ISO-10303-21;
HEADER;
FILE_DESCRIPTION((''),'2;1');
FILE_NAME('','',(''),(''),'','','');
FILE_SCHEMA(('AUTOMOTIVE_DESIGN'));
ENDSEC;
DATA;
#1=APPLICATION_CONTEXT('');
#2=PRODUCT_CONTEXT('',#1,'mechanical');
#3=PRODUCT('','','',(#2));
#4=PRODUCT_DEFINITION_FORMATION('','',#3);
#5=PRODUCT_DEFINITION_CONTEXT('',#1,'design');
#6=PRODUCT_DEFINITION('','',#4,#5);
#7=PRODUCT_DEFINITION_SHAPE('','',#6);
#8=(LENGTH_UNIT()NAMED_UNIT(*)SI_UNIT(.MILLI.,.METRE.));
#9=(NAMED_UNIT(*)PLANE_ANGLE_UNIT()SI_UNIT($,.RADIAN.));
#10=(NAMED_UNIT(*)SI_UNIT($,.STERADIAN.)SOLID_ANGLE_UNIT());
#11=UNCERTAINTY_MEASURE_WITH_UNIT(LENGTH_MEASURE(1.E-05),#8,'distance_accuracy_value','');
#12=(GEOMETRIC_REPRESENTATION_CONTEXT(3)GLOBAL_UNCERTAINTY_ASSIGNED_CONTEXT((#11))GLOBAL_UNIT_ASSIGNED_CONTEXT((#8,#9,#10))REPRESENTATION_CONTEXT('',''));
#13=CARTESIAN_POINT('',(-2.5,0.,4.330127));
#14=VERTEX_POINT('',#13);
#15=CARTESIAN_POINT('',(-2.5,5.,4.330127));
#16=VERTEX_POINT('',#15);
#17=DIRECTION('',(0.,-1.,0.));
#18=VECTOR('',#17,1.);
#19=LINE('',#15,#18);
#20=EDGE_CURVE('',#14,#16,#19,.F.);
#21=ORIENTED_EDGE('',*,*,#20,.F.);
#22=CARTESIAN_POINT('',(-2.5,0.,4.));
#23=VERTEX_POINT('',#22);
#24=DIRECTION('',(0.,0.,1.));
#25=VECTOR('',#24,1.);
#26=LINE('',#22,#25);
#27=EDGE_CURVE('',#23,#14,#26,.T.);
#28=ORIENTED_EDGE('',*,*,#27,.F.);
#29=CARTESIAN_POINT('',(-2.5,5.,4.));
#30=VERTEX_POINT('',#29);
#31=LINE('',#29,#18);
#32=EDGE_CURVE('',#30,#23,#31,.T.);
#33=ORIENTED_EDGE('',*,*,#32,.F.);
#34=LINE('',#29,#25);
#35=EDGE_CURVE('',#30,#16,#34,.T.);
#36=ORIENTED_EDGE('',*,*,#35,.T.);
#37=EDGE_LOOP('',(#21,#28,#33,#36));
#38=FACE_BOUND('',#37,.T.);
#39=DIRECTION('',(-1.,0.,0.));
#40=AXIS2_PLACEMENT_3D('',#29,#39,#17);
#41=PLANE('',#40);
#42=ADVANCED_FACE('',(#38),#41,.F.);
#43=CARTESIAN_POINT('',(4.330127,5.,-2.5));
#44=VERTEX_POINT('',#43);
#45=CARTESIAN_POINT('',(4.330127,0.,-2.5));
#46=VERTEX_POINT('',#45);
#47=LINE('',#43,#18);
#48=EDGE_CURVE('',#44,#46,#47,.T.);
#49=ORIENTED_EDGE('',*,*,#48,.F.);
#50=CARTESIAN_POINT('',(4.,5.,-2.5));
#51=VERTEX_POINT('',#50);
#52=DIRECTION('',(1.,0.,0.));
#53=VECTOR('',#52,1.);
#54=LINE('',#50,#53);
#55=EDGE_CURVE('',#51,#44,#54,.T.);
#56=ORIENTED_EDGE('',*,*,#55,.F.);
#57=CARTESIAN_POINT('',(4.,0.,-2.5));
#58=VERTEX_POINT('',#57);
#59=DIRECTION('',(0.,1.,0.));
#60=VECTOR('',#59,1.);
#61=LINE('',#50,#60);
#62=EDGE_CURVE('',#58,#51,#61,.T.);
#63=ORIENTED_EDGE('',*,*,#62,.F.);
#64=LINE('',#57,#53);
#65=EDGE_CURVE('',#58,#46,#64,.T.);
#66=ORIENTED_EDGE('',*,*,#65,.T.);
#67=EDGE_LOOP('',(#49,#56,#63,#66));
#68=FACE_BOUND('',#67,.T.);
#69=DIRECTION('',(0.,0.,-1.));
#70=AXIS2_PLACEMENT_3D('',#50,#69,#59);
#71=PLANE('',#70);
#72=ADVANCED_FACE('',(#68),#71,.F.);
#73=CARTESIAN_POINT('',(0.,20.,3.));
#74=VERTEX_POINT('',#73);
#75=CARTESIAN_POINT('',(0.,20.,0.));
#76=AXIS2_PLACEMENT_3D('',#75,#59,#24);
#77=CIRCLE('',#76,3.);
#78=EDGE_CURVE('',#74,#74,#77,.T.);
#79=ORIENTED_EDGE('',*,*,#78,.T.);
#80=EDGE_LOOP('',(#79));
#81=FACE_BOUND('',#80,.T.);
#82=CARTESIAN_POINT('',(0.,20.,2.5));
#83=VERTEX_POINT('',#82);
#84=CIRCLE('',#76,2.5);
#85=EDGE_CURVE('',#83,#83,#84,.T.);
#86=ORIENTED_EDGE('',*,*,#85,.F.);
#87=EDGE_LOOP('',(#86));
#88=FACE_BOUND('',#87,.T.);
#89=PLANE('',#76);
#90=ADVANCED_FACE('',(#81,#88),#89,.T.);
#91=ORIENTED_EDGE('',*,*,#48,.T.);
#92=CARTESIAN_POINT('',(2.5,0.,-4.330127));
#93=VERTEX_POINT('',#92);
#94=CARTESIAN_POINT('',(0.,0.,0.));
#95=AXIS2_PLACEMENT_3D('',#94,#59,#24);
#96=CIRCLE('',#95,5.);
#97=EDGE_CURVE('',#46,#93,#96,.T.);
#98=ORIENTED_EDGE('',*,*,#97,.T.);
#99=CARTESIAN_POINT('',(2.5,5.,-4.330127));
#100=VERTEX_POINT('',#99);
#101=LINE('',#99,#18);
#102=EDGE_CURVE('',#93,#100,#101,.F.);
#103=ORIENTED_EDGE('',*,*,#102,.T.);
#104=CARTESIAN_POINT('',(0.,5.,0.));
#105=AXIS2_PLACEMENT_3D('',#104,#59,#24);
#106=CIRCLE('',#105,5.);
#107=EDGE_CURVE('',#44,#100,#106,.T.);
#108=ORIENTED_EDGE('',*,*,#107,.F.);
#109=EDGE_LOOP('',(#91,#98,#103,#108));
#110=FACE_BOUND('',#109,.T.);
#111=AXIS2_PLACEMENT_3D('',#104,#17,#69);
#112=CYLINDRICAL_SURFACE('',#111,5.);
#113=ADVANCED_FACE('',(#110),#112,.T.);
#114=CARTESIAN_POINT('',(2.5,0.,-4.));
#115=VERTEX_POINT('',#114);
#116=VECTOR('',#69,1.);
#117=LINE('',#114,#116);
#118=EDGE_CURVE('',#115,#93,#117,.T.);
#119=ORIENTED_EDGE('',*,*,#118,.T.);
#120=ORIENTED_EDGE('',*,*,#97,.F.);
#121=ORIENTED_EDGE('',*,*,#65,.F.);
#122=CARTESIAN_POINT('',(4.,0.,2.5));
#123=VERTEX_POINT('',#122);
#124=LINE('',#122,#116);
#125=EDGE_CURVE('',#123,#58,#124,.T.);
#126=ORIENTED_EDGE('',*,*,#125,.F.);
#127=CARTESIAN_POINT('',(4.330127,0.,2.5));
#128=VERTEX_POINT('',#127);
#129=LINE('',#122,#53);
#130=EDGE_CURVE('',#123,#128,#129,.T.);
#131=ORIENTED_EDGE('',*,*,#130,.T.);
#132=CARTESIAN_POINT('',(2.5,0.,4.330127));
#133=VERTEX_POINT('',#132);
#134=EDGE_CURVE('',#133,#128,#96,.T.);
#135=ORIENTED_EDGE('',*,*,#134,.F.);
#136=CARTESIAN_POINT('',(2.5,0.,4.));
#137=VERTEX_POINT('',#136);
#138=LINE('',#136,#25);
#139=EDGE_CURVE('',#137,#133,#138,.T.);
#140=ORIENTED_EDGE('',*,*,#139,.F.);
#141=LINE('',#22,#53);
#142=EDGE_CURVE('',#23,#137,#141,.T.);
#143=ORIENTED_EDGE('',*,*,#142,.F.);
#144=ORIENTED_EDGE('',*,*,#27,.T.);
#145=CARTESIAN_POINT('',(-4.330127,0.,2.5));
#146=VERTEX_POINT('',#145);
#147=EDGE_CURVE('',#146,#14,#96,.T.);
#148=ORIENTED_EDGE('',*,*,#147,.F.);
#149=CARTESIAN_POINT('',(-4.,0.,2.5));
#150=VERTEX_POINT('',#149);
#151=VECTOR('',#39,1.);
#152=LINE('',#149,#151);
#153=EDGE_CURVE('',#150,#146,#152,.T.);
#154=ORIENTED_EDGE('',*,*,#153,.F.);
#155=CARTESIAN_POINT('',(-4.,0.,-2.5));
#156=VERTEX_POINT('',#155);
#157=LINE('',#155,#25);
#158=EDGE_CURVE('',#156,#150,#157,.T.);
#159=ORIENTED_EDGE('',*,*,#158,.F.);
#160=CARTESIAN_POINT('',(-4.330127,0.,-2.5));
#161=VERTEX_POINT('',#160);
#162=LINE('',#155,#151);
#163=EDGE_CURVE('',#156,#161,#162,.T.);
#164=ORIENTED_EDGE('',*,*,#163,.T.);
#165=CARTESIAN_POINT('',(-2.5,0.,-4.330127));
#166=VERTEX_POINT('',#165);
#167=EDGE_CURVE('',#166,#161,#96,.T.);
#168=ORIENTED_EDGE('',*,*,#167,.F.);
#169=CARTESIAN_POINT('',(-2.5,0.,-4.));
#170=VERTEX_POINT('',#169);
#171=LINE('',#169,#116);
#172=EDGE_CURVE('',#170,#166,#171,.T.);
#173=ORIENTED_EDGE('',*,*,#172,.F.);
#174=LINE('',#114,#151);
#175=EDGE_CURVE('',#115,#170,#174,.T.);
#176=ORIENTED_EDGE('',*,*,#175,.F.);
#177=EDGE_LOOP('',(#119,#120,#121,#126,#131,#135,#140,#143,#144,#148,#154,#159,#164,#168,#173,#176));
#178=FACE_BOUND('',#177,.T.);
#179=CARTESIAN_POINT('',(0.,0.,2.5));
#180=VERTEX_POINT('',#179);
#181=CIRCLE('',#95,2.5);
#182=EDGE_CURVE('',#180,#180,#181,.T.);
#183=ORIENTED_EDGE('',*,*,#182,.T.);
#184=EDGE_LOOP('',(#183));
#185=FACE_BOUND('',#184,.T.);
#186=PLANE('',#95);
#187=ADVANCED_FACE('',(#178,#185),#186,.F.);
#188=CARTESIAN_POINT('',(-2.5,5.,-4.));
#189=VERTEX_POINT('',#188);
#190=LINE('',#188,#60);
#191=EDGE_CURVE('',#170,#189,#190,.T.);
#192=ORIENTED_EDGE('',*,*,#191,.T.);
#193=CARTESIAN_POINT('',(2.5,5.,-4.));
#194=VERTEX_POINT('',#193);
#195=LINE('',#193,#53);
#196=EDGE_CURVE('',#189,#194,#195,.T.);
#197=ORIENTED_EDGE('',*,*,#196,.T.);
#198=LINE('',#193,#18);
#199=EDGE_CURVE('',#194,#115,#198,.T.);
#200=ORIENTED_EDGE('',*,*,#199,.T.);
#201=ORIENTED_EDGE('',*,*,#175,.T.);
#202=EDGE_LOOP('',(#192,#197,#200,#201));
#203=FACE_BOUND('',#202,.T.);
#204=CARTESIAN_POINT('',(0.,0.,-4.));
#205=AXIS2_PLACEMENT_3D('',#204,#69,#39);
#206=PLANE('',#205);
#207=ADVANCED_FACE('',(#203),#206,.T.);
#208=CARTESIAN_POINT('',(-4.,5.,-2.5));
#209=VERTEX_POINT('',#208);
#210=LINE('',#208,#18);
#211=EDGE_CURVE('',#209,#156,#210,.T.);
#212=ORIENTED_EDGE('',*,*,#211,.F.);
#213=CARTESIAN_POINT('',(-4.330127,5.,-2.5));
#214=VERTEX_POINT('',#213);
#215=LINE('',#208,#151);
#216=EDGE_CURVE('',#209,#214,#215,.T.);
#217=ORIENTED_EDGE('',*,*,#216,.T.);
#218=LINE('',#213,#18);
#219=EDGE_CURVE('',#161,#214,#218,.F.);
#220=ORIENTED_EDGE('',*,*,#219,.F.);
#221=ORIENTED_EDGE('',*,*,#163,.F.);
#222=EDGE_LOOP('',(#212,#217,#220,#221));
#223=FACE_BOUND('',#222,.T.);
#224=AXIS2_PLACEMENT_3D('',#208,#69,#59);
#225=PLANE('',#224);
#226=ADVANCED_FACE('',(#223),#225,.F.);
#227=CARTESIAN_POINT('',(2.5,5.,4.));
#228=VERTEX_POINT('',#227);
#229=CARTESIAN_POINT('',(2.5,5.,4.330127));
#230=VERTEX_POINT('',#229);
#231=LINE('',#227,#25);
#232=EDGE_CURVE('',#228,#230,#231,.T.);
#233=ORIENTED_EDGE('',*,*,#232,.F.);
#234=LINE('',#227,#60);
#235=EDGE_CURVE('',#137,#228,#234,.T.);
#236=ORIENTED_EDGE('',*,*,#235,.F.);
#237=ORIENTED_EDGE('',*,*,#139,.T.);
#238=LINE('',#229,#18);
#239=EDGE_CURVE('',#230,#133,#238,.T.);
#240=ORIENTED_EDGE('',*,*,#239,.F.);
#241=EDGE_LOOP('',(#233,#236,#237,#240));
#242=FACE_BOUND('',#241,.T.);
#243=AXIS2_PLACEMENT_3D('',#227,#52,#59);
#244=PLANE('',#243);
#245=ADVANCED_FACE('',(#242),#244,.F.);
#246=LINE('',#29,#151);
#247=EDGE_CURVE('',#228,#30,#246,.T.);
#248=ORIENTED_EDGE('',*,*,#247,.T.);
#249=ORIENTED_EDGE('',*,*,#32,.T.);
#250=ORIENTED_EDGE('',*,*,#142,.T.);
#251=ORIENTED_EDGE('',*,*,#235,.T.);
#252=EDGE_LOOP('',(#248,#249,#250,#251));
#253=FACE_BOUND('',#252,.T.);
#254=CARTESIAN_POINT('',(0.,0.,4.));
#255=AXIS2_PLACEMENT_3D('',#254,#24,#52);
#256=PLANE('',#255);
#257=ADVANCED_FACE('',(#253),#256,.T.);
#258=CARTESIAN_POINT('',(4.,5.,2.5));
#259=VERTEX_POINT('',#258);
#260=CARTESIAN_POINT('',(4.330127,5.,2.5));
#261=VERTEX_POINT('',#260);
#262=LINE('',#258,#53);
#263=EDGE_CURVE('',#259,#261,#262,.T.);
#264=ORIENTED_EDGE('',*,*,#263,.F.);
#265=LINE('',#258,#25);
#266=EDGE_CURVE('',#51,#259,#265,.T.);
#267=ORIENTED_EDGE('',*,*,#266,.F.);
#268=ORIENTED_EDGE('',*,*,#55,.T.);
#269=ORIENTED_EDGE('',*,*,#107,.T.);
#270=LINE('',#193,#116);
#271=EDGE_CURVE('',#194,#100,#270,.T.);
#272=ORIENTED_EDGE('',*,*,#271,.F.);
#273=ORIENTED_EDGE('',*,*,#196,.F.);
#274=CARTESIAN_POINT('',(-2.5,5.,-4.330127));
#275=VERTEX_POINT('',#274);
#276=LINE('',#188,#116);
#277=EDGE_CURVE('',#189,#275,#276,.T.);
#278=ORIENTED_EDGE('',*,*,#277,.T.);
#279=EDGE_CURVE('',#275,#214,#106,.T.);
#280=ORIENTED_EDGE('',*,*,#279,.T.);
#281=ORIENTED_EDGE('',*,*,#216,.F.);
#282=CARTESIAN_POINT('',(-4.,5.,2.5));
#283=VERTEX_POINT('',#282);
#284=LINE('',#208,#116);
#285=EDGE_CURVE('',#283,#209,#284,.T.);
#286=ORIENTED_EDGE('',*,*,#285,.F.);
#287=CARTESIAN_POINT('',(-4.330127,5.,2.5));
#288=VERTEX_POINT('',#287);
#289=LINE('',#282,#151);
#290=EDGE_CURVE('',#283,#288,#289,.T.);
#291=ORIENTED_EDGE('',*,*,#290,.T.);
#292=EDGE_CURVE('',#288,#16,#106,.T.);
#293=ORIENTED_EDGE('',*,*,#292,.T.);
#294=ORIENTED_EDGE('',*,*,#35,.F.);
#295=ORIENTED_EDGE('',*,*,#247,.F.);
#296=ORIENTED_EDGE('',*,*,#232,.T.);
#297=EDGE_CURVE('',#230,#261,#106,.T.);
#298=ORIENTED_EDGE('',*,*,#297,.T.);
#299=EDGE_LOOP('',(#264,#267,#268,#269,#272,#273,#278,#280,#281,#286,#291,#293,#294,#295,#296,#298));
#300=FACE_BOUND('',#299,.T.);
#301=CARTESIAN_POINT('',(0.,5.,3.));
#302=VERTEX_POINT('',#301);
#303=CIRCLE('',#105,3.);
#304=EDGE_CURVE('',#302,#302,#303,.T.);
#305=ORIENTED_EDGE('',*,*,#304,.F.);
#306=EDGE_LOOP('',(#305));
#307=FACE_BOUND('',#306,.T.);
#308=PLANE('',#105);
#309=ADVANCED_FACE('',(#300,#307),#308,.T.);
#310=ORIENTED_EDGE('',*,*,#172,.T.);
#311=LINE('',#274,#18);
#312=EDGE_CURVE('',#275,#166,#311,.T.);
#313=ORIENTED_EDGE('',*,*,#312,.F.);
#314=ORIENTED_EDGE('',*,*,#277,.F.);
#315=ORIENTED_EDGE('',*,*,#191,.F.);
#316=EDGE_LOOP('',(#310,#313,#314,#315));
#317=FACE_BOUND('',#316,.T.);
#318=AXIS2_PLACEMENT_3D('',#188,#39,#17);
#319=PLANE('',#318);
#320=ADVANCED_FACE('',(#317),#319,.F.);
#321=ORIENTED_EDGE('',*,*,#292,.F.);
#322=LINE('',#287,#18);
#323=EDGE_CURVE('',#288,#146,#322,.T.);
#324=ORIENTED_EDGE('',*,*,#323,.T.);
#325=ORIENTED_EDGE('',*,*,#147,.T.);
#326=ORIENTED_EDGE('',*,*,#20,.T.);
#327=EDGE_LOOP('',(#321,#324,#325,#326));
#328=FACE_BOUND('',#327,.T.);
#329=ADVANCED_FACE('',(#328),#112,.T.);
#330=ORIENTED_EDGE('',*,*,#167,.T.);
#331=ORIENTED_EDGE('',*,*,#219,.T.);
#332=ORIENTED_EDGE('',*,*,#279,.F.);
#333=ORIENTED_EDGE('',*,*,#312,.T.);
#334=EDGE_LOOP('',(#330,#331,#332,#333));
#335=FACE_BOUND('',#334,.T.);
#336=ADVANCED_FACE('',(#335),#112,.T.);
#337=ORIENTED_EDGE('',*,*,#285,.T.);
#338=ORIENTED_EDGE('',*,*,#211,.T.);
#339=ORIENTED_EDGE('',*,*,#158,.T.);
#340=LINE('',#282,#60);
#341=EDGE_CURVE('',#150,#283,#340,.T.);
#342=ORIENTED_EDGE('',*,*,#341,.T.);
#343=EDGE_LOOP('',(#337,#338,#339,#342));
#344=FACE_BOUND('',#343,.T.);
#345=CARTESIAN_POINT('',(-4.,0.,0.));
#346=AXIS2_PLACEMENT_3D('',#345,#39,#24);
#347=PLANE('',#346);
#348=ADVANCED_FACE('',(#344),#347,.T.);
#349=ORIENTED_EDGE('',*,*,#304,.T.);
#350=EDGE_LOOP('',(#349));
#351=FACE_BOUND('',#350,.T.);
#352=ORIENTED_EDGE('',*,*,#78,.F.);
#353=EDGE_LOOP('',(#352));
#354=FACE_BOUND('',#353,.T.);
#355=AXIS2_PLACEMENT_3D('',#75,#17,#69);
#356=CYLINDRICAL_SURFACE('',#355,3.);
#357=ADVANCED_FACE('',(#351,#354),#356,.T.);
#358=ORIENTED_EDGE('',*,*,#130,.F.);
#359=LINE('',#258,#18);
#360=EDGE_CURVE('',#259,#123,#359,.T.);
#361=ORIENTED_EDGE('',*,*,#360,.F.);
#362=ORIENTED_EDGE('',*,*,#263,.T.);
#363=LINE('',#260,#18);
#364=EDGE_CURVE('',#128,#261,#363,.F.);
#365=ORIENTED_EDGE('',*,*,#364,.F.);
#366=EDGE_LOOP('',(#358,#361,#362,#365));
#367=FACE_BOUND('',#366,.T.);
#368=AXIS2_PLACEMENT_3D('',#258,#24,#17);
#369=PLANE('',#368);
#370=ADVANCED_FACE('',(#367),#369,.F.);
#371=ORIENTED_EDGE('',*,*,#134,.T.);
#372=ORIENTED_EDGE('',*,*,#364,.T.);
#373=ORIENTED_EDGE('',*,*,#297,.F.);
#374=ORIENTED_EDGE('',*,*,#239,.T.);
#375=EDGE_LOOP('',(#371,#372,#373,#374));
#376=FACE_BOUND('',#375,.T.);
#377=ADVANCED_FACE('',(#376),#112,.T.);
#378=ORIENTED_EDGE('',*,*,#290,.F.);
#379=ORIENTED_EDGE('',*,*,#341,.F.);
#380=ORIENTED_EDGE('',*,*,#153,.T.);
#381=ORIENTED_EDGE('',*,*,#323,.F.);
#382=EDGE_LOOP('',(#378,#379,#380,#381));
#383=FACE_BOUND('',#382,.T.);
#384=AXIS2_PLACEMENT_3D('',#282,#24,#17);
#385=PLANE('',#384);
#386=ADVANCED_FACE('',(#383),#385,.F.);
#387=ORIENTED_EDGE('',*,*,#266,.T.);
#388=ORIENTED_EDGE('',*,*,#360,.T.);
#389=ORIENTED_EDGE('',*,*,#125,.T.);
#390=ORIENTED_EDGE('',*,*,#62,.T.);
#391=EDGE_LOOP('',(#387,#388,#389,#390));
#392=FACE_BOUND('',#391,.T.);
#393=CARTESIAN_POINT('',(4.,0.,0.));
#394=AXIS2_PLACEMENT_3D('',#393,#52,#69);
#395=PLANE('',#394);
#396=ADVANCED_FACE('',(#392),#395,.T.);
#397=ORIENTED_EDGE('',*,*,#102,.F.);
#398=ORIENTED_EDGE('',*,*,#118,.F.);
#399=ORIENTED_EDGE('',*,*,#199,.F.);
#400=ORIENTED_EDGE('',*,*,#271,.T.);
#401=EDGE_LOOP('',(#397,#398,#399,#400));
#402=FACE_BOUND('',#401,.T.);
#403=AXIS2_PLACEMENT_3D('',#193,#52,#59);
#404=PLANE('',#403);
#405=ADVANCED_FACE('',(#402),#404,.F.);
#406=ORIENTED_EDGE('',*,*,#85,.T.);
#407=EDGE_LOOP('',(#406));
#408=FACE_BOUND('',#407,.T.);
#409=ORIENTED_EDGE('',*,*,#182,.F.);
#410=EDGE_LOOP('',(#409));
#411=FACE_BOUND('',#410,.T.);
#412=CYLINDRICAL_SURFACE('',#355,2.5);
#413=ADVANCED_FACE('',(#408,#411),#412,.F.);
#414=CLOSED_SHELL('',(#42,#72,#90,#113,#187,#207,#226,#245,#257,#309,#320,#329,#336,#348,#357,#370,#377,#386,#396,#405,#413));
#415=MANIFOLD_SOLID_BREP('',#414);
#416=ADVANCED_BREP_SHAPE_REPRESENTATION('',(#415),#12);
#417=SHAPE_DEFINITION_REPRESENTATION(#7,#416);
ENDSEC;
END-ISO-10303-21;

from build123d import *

# Parameters (mm, degrees)
SKETCH1_R           = 3
SKETCH1_R_2         = 2.5
BOSS_EXTRUDE1_DEPTH = 20
SKETCH1_3_R         = 5
SKETCH1_3_R_2       = 3
BOSS_EXTRUDE2_DEPTH = 5
SKETCH4_W           = 5
SKETCH4_H           = 5
CUT_EXTRUDE2_DEPTH  = 1
SKETCH5_W           = 5
SKETCH5_H           = 5
CUT_EXTRUDE3_DEPTH  = 1
SKETCH6_W           = 5
SKETCH6_H           = 5
CUT_EXTRUDE4_DEPTH  = 1
SKETCH7_W           = 5
SKETCH7_H           = 5
CUT_EXTRUDE5_DEPTH  = 1


with BuildPart() as part:
    # Sketch1 → Boss-Extrude1 (new body)
    with BuildSketch(Plane(origin=(0, 0, 0), x_dir=(1, 0, 0), z_dir=(0, 1, 0))):
        Circle(SKETCH1_R)
        Circle(SKETCH1_R_2, mode=Mode.SUBTRACT)
    extrude(amount=BOSS_EXTRUDE1_DEPTH)

    # Sketch1<3> → Boss-Extrude2 (add)
    with BuildSketch(Plane(origin=(0, 0, 0), x_dir=(1, 0, 0), z_dir=(0, 1, 0))):
        Circle(SKETCH1_3_R)
        Circle(SKETCH1_3_R_2, mode=Mode.SUBTRACT)
    extrude(amount=BOSS_EXTRUDE2_DEPTH)

    # Sketch4 → Cut-Extrude2 (cut)
    with BuildSketch(Plane.XY.offset(5)):
        with Locations((0, 2.5)):
            Rectangle(SKETCH4_W, SKETCH4_H)
    extrude(amount=-CUT_EXTRUDE2_DEPTH, mode=Mode.SUBTRACT)

    # Sketch5 → Cut-Extrude3 (cut)
    with BuildSketch(Plane.ZY.offset(5)):
        with Locations((0, 2.5)):
            Rectangle(SKETCH5_W, SKETCH5_H)
    extrude(amount=-CUT_EXTRUDE3_DEPTH, mode=Mode.SUBTRACT)

    # Sketch6 → Cut-Extrude4 (cut)
    with BuildSketch(Plane(origin=(0, 0, -5), x_dir=(-1, 0, 0), z_dir=(0, 0, -1))):
        with Locations((0, 2.5)):
            Rectangle(SKETCH6_W, SKETCH6_H)
    extrude(amount=-CUT_EXTRUDE4_DEPTH, mode=Mode.SUBTRACT)

    # Sketch7 → Cut-Extrude5 (cut)
    with BuildSketch(Plane(origin=(5, 0, 0), x_dir=(0, 0, -1), z_dir=(1, 0, 0))):
        with Locations((0, 2.5)):
            Rectangle(SKETCH7_W, SKETCH7_H)
    extrude(amount=-CUT_EXTRUDE5_DEPTH, mode=Mode.SUBTRACT)


solid = part.part
